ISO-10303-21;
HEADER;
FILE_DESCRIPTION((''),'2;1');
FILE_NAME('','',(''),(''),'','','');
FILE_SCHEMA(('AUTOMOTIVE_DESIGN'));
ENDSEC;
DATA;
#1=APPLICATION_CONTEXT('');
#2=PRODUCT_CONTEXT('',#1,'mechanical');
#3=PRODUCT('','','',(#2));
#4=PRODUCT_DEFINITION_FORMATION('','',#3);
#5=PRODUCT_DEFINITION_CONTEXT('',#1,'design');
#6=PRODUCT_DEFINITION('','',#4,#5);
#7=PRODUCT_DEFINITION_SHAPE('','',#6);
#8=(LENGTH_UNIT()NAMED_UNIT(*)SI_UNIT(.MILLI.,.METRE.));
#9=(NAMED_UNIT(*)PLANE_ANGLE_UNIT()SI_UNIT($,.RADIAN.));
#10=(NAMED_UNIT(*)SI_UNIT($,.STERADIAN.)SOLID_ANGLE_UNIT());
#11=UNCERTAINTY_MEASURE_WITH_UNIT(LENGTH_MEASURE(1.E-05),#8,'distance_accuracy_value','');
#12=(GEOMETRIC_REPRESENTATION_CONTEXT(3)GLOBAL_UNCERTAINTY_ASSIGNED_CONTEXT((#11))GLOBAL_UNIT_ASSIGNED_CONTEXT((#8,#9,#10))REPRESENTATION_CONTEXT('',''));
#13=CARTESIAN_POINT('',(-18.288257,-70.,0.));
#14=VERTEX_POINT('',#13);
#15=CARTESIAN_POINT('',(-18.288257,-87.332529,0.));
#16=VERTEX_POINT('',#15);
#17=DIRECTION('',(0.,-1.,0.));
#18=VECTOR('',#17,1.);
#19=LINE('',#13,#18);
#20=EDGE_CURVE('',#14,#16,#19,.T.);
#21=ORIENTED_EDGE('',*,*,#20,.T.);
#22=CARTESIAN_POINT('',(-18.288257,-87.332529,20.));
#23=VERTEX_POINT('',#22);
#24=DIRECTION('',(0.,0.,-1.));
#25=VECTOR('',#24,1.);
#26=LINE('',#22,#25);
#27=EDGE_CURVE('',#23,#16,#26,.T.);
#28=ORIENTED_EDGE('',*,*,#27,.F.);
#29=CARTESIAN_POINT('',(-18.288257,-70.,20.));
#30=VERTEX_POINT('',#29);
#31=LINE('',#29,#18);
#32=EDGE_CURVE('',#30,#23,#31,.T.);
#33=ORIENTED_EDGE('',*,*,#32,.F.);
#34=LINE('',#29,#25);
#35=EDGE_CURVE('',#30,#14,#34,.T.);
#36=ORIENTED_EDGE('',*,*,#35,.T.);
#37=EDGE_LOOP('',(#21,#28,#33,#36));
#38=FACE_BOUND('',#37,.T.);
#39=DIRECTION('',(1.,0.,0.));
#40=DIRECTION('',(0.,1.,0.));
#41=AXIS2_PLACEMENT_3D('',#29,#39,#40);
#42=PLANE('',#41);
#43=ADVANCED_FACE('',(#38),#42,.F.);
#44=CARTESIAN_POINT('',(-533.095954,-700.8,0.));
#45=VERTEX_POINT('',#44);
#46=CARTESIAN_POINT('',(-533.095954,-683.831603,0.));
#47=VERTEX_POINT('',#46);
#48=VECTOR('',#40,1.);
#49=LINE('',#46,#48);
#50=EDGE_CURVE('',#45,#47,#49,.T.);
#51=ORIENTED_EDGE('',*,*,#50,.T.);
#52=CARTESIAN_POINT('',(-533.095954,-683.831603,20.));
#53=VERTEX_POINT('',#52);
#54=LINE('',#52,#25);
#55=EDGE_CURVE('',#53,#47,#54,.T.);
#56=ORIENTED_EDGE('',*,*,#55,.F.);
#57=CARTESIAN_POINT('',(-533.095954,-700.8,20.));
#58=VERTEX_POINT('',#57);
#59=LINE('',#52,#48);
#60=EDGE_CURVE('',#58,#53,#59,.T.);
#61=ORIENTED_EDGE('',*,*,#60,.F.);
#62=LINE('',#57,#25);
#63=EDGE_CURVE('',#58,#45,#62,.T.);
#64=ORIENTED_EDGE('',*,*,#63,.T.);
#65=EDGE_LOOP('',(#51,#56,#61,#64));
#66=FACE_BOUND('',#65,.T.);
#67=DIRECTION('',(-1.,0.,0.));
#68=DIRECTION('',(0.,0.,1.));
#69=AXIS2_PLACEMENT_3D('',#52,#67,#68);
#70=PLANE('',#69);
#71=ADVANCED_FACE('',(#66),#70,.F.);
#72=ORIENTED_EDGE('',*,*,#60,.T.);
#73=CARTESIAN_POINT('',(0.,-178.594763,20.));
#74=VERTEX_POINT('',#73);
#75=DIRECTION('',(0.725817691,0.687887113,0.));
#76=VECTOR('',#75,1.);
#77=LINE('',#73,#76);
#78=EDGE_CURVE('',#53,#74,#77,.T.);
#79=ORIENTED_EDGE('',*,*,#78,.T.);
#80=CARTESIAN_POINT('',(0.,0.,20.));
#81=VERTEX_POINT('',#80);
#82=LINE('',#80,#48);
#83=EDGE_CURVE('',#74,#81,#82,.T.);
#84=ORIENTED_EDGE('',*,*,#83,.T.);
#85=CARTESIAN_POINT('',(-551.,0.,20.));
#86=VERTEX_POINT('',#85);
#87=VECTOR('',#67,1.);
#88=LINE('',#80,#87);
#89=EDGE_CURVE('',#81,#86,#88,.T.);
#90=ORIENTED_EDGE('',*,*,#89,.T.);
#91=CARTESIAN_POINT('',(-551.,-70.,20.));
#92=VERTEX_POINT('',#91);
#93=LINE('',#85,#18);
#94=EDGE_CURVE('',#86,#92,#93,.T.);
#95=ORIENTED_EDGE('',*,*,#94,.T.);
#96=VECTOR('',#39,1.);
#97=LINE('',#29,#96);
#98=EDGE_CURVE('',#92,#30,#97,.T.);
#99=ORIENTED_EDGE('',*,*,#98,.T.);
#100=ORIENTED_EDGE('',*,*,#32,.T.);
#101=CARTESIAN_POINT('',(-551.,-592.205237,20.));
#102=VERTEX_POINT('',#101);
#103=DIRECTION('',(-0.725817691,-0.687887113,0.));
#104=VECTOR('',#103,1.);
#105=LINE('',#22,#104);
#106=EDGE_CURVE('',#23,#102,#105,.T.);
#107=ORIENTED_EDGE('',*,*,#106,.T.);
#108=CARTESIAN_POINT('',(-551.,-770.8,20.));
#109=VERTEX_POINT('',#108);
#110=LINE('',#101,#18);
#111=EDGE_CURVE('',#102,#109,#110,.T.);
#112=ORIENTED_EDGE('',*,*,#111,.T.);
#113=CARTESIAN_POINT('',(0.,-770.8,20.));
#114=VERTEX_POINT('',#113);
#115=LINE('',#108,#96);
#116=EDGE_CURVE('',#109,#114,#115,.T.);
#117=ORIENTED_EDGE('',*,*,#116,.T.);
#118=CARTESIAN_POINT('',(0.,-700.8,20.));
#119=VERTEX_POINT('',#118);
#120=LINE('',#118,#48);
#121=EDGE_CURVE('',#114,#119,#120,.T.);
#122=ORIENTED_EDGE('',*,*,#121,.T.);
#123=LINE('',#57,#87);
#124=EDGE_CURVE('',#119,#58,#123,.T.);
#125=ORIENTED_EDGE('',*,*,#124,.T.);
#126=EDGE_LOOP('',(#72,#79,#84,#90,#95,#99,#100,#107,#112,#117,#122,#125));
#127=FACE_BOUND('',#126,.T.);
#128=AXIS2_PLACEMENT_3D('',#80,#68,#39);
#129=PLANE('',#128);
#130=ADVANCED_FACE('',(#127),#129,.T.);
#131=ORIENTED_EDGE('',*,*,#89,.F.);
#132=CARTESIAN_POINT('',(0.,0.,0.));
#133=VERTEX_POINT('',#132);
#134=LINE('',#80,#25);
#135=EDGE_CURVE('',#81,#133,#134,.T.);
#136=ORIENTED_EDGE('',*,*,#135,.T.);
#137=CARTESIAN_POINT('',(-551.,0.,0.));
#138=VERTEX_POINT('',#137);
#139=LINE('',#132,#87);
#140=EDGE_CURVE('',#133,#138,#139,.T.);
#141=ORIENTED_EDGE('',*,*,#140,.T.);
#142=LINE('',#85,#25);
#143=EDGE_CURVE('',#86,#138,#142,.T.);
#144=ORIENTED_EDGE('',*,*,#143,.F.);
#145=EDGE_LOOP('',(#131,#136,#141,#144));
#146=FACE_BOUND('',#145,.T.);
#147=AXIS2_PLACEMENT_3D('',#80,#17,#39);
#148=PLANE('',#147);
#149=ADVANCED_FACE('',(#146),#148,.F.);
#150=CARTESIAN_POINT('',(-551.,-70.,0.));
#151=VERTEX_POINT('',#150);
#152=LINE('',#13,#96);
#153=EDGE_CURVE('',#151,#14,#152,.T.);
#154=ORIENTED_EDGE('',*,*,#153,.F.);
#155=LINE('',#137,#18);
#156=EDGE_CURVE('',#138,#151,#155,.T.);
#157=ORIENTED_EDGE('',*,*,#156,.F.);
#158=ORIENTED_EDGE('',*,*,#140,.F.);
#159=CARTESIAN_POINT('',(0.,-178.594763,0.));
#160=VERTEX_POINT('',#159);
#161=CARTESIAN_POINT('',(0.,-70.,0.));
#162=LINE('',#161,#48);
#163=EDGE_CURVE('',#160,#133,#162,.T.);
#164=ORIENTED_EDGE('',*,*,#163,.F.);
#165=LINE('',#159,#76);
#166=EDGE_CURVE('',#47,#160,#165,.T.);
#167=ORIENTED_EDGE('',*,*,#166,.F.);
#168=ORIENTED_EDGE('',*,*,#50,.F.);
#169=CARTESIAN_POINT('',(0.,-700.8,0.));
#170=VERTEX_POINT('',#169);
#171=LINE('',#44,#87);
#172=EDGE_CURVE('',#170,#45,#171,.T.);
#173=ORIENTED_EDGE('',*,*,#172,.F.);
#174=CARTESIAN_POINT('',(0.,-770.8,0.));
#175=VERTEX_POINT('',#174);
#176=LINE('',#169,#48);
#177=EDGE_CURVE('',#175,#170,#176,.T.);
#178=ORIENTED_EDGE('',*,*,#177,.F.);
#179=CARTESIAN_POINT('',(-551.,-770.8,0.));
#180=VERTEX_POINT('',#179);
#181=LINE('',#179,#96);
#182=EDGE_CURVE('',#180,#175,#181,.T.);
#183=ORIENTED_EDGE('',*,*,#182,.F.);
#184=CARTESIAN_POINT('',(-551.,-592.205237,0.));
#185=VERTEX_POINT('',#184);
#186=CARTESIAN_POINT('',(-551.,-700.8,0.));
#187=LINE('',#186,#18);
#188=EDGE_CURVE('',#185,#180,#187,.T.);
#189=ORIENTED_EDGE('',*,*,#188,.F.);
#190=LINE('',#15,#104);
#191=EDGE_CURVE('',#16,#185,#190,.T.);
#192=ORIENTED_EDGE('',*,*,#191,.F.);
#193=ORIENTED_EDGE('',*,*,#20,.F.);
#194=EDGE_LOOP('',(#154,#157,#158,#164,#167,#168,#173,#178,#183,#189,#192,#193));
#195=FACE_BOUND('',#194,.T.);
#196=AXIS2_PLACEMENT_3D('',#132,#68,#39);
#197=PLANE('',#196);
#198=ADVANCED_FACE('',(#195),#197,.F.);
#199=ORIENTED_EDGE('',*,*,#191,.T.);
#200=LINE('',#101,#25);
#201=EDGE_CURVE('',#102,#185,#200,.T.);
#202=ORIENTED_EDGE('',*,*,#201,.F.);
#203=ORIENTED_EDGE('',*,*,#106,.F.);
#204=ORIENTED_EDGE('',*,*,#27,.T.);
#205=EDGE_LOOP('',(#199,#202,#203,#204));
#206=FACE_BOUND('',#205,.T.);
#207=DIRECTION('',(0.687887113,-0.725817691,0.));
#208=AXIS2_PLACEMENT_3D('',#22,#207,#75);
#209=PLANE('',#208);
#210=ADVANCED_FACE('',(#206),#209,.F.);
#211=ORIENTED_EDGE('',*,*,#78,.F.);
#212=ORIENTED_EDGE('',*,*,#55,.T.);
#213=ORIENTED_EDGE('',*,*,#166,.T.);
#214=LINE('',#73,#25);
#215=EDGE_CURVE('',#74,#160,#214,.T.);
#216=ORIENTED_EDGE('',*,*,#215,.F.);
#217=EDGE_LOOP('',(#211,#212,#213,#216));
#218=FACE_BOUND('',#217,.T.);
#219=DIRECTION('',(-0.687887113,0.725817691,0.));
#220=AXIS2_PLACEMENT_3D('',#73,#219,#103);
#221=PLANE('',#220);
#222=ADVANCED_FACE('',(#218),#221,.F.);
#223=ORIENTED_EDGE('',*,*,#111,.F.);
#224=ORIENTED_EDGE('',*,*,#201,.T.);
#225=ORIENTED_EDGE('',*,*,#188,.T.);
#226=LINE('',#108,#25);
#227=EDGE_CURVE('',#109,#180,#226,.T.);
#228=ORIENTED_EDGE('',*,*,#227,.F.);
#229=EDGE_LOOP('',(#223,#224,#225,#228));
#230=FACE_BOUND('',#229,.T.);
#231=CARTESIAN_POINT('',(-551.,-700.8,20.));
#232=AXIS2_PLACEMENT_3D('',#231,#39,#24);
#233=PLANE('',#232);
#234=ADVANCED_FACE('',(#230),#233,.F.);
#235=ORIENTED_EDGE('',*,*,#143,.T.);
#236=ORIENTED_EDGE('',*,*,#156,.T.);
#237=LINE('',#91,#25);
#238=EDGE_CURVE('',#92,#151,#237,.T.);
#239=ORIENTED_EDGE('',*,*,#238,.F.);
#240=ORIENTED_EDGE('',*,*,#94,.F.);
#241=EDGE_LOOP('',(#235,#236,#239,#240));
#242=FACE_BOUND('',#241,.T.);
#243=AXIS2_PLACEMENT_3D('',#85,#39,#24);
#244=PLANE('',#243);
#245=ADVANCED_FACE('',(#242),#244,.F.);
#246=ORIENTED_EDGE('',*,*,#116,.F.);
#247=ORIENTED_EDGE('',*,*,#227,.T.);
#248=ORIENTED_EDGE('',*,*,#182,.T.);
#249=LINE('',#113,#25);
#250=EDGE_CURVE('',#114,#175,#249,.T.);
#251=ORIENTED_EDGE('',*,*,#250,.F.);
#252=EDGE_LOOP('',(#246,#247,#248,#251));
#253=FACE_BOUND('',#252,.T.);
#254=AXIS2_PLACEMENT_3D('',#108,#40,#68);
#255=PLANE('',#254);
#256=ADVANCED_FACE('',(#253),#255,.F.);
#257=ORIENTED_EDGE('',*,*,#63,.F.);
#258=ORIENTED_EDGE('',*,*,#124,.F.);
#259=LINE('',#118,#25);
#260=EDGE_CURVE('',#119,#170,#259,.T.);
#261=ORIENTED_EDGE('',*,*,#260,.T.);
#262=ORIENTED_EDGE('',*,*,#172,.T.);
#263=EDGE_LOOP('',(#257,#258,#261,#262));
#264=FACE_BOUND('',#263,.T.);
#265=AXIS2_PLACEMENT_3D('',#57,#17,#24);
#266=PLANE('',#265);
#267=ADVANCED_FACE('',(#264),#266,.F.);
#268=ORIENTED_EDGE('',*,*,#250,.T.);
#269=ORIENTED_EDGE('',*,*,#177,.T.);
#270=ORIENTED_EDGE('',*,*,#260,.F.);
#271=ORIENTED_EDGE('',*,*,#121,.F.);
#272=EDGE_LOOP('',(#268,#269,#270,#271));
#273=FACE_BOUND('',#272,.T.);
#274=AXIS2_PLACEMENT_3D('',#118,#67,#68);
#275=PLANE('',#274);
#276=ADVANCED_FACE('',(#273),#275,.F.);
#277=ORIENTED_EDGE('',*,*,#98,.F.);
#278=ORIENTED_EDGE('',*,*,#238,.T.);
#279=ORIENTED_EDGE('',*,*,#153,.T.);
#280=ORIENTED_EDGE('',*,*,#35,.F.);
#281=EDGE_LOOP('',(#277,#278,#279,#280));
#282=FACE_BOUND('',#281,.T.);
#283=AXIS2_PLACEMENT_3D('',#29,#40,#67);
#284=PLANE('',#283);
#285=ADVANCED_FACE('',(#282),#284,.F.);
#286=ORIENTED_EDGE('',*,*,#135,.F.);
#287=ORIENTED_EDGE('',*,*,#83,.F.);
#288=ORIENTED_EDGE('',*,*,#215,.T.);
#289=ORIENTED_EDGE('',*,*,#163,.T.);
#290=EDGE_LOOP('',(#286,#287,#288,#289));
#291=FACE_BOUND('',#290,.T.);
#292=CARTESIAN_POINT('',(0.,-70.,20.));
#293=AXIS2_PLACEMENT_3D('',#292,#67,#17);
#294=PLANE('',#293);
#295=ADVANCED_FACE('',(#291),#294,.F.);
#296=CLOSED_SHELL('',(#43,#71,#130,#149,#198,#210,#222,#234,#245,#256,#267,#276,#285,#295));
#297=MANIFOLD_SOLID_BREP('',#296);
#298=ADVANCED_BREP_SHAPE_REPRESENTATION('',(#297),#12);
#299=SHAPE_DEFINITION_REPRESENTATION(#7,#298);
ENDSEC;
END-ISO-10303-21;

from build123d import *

# Parameters (mm, degrees)
BOSS_EXTRUDE1_DEPTH = 20


with BuildPart() as part:
    # Sketch1 → Boss-Extrude1 (new body)
    with BuildSketch(Plane.XY):
        Polygon((0, -70), (0, -178.59476288), (-533.095953507, -683.831602824), (-533.095953507, -700.8), (0, -700.8), (0, -770.8), (-551, -770.8), (-551, -700.8), (-551, -592.20523712), (-18.288256876, -87.332529071), (-18.288256876, -70), (-551, -70), (-551, 0), (0, 0), align=None)
    extrude(amount=BOSS_EXTRUDE1_DEPTH)


solid = part.part
